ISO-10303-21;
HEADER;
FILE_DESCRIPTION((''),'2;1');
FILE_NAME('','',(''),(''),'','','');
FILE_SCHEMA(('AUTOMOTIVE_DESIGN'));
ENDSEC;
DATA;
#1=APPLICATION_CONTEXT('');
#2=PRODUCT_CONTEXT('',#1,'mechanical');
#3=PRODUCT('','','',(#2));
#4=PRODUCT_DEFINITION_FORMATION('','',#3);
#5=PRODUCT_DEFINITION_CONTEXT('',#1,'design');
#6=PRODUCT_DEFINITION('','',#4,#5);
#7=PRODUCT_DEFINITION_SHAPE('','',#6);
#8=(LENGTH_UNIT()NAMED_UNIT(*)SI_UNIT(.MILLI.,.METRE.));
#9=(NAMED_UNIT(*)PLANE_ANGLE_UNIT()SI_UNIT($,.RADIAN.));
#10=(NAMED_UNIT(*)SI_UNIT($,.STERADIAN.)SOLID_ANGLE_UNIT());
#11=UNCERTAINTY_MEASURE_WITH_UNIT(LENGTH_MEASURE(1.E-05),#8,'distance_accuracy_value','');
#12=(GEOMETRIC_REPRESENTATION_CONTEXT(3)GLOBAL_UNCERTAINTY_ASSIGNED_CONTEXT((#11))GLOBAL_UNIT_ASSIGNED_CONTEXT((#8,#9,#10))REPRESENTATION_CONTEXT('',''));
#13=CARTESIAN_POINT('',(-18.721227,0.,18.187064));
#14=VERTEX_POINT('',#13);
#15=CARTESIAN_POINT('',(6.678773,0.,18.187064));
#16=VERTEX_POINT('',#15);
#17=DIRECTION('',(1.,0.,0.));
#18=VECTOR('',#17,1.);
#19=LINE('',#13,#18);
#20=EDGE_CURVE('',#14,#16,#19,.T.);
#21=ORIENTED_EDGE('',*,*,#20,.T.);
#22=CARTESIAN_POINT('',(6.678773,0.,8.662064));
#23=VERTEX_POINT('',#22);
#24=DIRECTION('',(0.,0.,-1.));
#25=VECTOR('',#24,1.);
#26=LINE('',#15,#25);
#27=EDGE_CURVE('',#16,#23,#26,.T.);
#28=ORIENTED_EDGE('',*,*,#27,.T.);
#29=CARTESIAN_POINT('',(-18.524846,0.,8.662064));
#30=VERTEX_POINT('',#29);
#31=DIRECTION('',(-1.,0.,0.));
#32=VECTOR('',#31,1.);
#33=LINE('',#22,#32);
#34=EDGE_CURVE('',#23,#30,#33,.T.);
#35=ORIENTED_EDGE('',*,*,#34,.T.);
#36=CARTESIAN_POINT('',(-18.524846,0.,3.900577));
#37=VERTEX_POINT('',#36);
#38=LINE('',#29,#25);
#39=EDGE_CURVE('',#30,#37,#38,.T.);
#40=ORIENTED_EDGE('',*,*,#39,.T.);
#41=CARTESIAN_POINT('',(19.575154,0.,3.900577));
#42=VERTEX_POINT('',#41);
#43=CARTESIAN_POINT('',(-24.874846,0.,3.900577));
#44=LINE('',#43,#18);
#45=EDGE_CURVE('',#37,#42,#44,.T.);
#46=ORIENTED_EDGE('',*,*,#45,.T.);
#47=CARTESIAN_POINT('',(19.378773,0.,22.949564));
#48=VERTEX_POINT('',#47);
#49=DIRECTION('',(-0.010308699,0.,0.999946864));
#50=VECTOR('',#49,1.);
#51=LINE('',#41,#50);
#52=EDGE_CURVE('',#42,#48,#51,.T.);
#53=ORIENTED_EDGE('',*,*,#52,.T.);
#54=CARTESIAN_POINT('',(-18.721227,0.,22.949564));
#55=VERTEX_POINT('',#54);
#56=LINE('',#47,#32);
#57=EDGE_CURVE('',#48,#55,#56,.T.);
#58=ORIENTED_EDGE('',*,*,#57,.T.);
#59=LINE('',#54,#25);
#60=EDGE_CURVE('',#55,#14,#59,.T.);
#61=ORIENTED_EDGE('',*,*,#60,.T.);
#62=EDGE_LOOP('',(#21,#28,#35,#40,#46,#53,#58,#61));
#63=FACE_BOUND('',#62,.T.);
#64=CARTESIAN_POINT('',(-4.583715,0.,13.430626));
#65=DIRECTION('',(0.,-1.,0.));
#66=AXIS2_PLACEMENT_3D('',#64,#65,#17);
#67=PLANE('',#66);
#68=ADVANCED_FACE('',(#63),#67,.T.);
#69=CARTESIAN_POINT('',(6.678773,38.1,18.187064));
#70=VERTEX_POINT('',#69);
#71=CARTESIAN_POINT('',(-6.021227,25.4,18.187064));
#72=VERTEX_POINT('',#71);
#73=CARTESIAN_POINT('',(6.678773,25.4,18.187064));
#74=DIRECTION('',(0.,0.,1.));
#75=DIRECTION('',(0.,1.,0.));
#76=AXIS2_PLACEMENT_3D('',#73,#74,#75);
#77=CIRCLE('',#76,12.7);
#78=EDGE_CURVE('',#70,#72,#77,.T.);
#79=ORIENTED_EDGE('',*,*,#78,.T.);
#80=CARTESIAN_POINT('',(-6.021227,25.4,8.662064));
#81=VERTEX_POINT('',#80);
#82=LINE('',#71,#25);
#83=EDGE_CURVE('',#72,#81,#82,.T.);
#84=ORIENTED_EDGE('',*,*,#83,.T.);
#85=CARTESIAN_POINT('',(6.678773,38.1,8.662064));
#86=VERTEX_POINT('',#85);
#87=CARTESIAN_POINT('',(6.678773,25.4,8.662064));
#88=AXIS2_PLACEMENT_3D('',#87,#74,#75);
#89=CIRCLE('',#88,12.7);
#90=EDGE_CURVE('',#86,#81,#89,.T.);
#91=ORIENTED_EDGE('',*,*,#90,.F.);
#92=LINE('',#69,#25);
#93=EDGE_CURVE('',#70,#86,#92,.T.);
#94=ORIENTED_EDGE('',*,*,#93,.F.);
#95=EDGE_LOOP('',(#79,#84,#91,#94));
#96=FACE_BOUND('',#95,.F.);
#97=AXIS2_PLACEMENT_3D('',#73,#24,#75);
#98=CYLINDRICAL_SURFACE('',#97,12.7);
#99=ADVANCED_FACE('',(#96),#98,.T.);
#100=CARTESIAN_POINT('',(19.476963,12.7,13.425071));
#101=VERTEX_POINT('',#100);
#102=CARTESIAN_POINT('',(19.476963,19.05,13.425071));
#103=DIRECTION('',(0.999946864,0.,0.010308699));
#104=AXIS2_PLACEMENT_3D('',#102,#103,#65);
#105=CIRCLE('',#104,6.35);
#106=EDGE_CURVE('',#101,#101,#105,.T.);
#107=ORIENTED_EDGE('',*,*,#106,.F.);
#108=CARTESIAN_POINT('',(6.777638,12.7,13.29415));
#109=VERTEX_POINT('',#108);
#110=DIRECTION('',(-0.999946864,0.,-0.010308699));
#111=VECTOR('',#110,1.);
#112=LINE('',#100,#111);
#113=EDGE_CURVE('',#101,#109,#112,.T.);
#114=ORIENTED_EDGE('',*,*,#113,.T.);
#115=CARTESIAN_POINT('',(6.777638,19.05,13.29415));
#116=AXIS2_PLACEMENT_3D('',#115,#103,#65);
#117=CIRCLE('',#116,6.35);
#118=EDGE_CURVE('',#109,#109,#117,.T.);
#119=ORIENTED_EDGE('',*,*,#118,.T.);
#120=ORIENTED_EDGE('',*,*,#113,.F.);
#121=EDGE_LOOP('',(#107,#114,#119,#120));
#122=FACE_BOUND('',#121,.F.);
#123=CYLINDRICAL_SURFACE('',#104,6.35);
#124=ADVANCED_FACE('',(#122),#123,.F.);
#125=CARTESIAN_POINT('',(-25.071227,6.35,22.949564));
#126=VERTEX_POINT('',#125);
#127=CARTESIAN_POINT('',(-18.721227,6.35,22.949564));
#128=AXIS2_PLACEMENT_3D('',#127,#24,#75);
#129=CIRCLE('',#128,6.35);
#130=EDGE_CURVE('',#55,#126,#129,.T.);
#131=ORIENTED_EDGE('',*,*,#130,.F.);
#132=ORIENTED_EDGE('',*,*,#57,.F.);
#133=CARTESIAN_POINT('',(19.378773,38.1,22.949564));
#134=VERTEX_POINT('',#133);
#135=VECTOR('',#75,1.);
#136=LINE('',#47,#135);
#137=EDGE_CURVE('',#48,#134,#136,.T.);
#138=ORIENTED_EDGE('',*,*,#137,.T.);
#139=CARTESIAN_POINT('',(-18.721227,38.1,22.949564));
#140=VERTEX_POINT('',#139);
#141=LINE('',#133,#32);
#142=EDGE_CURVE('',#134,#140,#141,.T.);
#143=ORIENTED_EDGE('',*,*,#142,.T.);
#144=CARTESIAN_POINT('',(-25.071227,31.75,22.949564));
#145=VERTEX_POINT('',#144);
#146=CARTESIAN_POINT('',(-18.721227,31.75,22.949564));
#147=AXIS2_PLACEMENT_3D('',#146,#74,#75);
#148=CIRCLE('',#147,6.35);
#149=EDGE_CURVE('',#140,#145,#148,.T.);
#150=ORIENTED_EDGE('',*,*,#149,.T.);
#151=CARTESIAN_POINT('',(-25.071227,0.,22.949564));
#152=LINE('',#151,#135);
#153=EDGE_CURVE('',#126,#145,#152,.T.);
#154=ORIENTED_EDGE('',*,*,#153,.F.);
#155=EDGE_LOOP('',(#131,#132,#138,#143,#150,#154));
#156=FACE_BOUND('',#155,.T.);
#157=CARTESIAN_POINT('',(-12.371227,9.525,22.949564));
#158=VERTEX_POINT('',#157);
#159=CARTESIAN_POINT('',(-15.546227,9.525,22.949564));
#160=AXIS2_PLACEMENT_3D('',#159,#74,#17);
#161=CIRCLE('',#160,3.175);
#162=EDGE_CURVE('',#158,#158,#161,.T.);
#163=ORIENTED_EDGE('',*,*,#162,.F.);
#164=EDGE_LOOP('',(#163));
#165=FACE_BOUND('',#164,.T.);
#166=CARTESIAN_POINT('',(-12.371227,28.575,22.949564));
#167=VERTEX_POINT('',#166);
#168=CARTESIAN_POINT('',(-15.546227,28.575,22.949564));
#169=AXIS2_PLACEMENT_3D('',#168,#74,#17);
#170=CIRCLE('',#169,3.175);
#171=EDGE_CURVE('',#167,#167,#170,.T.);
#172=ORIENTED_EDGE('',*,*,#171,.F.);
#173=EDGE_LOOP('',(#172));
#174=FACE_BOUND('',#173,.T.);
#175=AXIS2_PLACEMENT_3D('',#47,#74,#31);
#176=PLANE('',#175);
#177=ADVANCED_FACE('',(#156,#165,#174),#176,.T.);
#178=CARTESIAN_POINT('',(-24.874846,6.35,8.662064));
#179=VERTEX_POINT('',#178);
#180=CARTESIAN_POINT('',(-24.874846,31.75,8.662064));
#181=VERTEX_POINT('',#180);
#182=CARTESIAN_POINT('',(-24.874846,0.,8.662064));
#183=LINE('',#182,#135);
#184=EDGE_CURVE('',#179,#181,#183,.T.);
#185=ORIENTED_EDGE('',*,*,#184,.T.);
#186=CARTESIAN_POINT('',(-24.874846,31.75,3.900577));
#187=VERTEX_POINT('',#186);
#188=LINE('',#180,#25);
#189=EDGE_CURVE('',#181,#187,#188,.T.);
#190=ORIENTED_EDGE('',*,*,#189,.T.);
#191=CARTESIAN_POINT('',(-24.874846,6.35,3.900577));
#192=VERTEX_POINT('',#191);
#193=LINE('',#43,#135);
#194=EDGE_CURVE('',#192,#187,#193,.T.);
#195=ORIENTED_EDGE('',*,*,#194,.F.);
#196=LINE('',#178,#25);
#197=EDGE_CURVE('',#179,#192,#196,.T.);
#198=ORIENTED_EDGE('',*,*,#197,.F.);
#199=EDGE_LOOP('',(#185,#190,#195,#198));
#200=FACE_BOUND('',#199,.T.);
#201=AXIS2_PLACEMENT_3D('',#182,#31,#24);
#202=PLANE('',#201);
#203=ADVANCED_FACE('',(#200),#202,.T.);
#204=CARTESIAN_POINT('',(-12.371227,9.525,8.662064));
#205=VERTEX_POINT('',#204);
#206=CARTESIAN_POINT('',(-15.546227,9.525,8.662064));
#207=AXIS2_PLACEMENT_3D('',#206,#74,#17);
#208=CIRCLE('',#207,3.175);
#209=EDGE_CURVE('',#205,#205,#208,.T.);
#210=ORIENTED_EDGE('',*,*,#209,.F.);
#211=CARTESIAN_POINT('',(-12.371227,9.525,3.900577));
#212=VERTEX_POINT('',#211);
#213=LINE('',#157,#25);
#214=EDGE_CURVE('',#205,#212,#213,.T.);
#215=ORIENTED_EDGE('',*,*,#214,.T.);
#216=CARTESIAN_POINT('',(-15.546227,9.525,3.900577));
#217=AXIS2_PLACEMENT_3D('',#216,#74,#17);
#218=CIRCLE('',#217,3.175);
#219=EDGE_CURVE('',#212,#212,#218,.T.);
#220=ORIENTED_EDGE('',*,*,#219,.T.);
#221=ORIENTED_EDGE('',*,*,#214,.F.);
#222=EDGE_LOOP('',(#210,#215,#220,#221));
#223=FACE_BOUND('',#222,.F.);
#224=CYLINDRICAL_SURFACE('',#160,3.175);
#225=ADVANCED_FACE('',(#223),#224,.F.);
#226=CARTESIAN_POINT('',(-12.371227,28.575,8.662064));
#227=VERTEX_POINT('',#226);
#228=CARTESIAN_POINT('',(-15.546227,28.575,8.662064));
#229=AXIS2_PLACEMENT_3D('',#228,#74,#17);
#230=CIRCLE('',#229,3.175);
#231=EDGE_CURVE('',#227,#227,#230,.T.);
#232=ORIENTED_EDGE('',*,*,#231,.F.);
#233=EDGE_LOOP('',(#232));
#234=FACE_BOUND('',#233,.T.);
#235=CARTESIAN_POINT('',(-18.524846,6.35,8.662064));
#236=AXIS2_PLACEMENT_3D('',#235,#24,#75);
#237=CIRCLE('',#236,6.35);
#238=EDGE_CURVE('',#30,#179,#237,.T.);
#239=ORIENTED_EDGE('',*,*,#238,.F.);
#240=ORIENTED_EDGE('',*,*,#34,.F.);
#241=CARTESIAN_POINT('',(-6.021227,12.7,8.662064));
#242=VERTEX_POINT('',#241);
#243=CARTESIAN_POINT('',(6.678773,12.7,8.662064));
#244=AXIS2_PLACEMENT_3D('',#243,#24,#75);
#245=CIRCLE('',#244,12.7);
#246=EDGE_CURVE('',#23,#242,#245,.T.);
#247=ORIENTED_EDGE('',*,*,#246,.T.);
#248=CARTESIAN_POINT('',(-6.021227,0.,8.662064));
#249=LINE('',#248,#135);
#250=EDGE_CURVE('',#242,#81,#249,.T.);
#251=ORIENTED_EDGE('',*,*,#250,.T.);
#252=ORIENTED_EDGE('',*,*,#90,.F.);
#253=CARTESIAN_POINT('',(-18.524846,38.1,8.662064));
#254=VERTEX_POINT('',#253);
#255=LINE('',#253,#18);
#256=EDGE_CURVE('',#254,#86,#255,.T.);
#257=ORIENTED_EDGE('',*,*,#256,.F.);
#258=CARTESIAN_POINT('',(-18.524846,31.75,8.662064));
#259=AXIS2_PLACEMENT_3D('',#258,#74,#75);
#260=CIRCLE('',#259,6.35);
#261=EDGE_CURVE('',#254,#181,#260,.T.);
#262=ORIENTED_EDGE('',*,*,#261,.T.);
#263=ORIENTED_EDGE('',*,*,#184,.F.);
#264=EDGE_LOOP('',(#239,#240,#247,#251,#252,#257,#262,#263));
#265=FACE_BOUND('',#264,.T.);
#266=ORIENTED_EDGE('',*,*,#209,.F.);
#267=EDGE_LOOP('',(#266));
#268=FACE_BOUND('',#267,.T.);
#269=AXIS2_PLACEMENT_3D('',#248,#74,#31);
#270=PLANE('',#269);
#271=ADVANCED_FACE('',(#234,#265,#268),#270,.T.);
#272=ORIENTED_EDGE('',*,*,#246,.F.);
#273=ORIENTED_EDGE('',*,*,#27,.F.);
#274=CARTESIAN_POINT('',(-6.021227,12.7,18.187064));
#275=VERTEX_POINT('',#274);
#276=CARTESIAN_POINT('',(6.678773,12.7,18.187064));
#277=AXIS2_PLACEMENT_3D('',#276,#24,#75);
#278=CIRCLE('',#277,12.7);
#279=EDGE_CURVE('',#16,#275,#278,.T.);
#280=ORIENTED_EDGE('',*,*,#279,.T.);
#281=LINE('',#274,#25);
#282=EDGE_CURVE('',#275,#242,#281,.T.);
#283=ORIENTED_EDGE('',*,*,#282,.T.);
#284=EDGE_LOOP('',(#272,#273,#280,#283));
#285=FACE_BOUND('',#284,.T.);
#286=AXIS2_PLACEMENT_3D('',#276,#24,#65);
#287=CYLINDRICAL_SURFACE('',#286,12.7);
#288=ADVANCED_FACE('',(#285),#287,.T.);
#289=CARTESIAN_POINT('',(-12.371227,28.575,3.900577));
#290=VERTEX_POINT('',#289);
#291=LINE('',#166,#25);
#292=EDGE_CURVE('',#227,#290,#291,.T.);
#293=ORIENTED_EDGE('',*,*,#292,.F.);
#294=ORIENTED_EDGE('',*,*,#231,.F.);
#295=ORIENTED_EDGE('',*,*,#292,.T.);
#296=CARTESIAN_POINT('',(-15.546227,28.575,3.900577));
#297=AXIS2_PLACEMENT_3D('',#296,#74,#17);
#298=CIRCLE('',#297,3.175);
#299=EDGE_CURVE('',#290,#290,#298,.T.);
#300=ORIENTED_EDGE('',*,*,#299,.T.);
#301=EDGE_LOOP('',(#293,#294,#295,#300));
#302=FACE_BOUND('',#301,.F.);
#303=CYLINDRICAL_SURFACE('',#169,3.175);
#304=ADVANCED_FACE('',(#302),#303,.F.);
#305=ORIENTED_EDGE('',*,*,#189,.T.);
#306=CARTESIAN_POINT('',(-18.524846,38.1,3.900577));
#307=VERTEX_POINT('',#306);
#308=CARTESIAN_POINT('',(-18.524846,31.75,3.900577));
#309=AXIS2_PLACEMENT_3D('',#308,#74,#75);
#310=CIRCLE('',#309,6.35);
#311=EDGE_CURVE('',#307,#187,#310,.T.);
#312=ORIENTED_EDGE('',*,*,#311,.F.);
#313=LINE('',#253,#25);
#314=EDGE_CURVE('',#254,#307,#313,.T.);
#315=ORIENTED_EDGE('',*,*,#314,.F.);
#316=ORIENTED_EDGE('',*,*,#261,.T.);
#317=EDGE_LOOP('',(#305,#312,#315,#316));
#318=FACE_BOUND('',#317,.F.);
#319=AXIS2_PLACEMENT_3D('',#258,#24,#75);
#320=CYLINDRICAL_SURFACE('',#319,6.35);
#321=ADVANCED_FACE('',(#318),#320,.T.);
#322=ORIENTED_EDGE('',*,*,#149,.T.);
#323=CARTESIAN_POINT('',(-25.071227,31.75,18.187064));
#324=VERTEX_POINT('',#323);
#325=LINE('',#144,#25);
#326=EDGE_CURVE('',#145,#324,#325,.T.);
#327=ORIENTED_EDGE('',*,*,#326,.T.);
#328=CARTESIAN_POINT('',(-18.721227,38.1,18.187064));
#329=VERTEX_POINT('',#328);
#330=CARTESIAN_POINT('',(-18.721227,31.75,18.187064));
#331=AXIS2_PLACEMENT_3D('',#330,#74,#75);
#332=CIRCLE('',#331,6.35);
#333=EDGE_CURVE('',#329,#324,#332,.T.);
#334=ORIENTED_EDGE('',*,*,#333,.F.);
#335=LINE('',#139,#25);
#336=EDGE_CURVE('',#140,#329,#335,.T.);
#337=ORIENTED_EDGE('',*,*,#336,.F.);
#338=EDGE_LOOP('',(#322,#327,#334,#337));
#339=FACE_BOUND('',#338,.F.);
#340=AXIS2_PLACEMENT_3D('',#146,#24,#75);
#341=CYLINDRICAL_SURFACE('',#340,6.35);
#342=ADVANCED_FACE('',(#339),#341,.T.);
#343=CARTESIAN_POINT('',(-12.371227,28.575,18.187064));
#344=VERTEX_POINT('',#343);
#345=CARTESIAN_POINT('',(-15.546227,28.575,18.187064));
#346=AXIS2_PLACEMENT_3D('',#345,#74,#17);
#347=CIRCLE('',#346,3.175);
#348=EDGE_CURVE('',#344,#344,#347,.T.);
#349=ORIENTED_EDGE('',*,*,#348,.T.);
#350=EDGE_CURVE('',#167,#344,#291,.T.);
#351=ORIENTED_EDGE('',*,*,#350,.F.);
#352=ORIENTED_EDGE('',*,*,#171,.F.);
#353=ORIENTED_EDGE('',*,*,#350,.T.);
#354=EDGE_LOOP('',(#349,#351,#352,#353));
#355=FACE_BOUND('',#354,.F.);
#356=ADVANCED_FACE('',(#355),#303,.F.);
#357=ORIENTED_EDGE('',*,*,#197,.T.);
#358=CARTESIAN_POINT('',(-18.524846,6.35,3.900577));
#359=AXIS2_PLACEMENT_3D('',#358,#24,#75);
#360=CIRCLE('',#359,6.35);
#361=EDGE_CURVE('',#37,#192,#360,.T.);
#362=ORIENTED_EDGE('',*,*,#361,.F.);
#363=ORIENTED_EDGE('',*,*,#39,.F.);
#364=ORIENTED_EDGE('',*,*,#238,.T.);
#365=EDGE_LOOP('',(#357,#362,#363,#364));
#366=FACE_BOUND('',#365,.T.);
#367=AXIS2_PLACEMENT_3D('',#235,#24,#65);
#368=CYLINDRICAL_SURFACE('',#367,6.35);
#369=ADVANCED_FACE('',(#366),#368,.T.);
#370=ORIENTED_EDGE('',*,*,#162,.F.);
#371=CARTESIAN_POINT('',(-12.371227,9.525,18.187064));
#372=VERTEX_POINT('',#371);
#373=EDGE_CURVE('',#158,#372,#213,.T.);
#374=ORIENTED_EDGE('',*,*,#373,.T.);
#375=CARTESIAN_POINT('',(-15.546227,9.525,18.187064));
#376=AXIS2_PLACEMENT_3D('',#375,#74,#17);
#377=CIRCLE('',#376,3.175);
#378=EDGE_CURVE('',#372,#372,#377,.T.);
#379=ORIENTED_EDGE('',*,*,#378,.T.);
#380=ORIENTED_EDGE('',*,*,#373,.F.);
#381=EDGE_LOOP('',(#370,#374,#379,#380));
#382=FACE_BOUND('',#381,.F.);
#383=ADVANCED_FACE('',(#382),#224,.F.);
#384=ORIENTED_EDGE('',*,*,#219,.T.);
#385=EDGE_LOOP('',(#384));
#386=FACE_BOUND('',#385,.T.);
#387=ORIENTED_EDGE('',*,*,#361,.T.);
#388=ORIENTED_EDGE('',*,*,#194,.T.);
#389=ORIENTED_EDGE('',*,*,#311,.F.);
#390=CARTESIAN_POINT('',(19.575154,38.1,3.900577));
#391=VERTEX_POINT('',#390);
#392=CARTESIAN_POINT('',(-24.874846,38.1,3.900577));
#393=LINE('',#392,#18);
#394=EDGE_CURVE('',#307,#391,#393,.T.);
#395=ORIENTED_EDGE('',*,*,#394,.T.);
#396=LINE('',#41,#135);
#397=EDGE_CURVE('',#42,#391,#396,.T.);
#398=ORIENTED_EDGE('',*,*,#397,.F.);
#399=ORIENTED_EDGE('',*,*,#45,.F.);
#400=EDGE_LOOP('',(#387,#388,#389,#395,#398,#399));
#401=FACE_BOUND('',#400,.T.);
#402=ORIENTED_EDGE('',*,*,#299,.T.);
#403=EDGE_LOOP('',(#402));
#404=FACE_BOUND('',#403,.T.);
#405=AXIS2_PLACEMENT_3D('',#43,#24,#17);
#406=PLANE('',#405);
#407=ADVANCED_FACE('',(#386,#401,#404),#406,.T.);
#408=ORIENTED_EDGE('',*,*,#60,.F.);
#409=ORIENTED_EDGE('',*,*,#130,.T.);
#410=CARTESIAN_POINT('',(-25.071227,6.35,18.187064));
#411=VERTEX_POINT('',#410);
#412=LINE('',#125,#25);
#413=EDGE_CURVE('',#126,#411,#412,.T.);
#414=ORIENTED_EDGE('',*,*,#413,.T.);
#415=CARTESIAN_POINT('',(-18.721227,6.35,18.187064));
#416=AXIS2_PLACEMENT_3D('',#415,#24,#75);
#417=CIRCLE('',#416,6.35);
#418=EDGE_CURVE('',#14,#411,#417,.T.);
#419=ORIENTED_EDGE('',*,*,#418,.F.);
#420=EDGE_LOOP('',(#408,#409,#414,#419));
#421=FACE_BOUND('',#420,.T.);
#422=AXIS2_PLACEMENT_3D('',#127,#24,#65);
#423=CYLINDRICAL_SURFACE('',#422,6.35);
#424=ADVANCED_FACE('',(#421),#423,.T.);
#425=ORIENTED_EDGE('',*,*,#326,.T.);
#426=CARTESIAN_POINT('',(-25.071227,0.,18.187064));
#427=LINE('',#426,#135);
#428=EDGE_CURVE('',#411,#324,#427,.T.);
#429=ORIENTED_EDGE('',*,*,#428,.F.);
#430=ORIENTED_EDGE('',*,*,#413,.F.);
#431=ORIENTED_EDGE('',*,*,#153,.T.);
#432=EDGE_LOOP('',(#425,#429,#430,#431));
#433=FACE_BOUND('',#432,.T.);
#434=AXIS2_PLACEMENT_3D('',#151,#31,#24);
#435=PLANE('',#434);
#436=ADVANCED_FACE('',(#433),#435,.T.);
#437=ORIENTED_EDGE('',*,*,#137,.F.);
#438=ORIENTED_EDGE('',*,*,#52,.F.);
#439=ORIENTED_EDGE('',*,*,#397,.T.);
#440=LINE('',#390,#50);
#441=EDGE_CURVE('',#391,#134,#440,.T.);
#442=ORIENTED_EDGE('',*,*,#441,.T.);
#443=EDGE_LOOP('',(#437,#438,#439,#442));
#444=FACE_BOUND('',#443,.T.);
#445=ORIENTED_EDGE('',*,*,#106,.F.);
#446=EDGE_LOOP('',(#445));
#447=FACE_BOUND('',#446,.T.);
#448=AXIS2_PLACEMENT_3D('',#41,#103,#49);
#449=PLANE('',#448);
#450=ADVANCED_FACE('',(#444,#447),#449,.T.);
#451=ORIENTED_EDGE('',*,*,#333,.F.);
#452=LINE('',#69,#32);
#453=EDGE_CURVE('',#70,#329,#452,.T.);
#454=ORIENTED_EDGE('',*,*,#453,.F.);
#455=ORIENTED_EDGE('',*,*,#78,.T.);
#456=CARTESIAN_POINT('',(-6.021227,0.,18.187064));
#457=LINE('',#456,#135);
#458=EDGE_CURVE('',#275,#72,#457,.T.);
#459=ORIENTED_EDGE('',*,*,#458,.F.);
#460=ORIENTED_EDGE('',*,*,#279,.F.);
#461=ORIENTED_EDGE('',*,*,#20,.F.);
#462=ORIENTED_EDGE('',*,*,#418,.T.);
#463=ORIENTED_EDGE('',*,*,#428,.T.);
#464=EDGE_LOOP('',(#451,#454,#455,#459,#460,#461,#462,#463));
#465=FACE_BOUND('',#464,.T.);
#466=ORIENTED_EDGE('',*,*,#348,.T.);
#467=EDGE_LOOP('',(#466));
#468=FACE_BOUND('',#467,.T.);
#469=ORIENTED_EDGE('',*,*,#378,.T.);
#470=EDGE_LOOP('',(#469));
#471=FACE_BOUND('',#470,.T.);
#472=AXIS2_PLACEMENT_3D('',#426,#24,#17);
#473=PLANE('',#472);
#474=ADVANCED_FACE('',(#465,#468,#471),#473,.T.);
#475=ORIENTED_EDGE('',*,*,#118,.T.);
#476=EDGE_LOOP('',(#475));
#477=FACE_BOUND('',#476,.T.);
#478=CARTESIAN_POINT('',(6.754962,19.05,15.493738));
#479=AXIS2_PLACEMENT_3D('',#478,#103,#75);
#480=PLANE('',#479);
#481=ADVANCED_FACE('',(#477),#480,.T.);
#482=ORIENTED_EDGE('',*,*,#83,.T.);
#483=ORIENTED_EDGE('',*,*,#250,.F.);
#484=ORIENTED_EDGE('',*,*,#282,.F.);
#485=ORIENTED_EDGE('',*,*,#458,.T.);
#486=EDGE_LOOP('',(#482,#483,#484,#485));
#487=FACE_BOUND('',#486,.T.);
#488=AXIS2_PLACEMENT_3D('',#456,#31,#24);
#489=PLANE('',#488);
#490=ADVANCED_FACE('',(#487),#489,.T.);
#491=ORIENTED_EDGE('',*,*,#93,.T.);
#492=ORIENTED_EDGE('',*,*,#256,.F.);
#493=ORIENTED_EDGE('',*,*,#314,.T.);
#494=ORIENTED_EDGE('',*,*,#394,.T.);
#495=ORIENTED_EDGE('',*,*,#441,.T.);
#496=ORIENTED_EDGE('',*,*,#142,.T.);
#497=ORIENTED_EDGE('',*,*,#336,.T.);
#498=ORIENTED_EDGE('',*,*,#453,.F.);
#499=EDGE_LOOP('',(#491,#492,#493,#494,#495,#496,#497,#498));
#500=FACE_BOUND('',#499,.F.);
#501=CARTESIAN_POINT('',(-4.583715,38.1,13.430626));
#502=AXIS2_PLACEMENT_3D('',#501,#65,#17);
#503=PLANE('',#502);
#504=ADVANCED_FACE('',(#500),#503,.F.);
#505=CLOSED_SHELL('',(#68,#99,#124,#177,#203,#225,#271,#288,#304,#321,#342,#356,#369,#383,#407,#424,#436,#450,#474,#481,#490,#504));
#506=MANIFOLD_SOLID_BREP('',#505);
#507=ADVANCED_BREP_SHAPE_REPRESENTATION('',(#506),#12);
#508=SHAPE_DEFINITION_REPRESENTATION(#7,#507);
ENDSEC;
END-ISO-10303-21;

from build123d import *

# Parameters (mm, degrees)
F1_DEPTH = 38.1
F2_R     = 3.175
F3_DEPTH = 25.4
F4_R     = 6.35
F6_DEPTH = 12.7
F7_R     = 12.7
F8_R     = 12.7


with BuildPart() as f1:
    # F0 (on Front) → F1 (new body)
    with BuildSketch(Plane.XZ):
        Polygon((19.5751538399, 3.9005766285), (19.3787731311, 22.9495643868), (-25.0712268689, 22.9495643868), (-25.0712268689, 18.1870643868), (-6.0212268689, 18.1870643868), (-6.0212268689, 8.6620643868), (-24.8748461601, 8.6620643868), (-24.8748461601, 3.9005766285), align=None)
    extrude(amount=-F1_DEPTH)

    # F2 (on face) → F3 (cut)
    with BuildSketch(Plane.XY.offset(22.9495643868)):
        with Locations((-15.5462268689, 28.575)):
            Circle(F2_R)
        with Locations((-15.5462268689, 9.525)):
            Circle(F2_R)
    extrude(amount=-F3_DEPTH, mode=Mode.SUBTRACT)

    # F4
    f4_edges = [f1.edges().sort_by_distance(p)[0] for p in [
        (-25.071227, 0, 20.568314),
        (-24.874846, 0, 6.281321),
        (-24.874846, 38.1, 6.281321),
        (-25.071227, 38.1, 20.568314),
    ]]
    fillet(f4_edges, radius=F4_R)

    # F5 (on face) → F6 (cut)
    with BuildSketch(Plane(origin=(19.613281335, 0, 0.2021981503), x_dir=(0, 1, 0), z_dir=(0.999946864, 0, 0.0103086986))):
        with BuildLine():
            Line((12.7, 13.2235750059), (25.4, 13.2235750059))
            ThreePointArc((25.4, 13.2235750059), (19.05, 19.5735750059), (12.7, 13.2235750059))
        make_face()
        with BuildLine():
            ThreePointArc((12.7, 13.2235750059), (19.05, 6.8735750059), (25.4, 13.2235750059))
            Line((25.4, 13.2235750059), (12.7, 13.2235750059))
        make_face()
    extrude(amount=-F6_DEPTH, mode=Mode.SUBTRACT)

    # F7
    f7_edges = [f1.edges().sort_by_distance(p)[0] for p in [
        (-6.021227, 0, 13.424564),
    ]]
    fillet(f7_edges, radius=F7_R)

    # F8
    f8_edges = [f1.edges().sort_by_distance(p)[0] for p in [
        (-6.021227, 38.1, 13.424564),
    ]]
    fillet(f8_edges, radius=F8_R)


solid = f1.part
